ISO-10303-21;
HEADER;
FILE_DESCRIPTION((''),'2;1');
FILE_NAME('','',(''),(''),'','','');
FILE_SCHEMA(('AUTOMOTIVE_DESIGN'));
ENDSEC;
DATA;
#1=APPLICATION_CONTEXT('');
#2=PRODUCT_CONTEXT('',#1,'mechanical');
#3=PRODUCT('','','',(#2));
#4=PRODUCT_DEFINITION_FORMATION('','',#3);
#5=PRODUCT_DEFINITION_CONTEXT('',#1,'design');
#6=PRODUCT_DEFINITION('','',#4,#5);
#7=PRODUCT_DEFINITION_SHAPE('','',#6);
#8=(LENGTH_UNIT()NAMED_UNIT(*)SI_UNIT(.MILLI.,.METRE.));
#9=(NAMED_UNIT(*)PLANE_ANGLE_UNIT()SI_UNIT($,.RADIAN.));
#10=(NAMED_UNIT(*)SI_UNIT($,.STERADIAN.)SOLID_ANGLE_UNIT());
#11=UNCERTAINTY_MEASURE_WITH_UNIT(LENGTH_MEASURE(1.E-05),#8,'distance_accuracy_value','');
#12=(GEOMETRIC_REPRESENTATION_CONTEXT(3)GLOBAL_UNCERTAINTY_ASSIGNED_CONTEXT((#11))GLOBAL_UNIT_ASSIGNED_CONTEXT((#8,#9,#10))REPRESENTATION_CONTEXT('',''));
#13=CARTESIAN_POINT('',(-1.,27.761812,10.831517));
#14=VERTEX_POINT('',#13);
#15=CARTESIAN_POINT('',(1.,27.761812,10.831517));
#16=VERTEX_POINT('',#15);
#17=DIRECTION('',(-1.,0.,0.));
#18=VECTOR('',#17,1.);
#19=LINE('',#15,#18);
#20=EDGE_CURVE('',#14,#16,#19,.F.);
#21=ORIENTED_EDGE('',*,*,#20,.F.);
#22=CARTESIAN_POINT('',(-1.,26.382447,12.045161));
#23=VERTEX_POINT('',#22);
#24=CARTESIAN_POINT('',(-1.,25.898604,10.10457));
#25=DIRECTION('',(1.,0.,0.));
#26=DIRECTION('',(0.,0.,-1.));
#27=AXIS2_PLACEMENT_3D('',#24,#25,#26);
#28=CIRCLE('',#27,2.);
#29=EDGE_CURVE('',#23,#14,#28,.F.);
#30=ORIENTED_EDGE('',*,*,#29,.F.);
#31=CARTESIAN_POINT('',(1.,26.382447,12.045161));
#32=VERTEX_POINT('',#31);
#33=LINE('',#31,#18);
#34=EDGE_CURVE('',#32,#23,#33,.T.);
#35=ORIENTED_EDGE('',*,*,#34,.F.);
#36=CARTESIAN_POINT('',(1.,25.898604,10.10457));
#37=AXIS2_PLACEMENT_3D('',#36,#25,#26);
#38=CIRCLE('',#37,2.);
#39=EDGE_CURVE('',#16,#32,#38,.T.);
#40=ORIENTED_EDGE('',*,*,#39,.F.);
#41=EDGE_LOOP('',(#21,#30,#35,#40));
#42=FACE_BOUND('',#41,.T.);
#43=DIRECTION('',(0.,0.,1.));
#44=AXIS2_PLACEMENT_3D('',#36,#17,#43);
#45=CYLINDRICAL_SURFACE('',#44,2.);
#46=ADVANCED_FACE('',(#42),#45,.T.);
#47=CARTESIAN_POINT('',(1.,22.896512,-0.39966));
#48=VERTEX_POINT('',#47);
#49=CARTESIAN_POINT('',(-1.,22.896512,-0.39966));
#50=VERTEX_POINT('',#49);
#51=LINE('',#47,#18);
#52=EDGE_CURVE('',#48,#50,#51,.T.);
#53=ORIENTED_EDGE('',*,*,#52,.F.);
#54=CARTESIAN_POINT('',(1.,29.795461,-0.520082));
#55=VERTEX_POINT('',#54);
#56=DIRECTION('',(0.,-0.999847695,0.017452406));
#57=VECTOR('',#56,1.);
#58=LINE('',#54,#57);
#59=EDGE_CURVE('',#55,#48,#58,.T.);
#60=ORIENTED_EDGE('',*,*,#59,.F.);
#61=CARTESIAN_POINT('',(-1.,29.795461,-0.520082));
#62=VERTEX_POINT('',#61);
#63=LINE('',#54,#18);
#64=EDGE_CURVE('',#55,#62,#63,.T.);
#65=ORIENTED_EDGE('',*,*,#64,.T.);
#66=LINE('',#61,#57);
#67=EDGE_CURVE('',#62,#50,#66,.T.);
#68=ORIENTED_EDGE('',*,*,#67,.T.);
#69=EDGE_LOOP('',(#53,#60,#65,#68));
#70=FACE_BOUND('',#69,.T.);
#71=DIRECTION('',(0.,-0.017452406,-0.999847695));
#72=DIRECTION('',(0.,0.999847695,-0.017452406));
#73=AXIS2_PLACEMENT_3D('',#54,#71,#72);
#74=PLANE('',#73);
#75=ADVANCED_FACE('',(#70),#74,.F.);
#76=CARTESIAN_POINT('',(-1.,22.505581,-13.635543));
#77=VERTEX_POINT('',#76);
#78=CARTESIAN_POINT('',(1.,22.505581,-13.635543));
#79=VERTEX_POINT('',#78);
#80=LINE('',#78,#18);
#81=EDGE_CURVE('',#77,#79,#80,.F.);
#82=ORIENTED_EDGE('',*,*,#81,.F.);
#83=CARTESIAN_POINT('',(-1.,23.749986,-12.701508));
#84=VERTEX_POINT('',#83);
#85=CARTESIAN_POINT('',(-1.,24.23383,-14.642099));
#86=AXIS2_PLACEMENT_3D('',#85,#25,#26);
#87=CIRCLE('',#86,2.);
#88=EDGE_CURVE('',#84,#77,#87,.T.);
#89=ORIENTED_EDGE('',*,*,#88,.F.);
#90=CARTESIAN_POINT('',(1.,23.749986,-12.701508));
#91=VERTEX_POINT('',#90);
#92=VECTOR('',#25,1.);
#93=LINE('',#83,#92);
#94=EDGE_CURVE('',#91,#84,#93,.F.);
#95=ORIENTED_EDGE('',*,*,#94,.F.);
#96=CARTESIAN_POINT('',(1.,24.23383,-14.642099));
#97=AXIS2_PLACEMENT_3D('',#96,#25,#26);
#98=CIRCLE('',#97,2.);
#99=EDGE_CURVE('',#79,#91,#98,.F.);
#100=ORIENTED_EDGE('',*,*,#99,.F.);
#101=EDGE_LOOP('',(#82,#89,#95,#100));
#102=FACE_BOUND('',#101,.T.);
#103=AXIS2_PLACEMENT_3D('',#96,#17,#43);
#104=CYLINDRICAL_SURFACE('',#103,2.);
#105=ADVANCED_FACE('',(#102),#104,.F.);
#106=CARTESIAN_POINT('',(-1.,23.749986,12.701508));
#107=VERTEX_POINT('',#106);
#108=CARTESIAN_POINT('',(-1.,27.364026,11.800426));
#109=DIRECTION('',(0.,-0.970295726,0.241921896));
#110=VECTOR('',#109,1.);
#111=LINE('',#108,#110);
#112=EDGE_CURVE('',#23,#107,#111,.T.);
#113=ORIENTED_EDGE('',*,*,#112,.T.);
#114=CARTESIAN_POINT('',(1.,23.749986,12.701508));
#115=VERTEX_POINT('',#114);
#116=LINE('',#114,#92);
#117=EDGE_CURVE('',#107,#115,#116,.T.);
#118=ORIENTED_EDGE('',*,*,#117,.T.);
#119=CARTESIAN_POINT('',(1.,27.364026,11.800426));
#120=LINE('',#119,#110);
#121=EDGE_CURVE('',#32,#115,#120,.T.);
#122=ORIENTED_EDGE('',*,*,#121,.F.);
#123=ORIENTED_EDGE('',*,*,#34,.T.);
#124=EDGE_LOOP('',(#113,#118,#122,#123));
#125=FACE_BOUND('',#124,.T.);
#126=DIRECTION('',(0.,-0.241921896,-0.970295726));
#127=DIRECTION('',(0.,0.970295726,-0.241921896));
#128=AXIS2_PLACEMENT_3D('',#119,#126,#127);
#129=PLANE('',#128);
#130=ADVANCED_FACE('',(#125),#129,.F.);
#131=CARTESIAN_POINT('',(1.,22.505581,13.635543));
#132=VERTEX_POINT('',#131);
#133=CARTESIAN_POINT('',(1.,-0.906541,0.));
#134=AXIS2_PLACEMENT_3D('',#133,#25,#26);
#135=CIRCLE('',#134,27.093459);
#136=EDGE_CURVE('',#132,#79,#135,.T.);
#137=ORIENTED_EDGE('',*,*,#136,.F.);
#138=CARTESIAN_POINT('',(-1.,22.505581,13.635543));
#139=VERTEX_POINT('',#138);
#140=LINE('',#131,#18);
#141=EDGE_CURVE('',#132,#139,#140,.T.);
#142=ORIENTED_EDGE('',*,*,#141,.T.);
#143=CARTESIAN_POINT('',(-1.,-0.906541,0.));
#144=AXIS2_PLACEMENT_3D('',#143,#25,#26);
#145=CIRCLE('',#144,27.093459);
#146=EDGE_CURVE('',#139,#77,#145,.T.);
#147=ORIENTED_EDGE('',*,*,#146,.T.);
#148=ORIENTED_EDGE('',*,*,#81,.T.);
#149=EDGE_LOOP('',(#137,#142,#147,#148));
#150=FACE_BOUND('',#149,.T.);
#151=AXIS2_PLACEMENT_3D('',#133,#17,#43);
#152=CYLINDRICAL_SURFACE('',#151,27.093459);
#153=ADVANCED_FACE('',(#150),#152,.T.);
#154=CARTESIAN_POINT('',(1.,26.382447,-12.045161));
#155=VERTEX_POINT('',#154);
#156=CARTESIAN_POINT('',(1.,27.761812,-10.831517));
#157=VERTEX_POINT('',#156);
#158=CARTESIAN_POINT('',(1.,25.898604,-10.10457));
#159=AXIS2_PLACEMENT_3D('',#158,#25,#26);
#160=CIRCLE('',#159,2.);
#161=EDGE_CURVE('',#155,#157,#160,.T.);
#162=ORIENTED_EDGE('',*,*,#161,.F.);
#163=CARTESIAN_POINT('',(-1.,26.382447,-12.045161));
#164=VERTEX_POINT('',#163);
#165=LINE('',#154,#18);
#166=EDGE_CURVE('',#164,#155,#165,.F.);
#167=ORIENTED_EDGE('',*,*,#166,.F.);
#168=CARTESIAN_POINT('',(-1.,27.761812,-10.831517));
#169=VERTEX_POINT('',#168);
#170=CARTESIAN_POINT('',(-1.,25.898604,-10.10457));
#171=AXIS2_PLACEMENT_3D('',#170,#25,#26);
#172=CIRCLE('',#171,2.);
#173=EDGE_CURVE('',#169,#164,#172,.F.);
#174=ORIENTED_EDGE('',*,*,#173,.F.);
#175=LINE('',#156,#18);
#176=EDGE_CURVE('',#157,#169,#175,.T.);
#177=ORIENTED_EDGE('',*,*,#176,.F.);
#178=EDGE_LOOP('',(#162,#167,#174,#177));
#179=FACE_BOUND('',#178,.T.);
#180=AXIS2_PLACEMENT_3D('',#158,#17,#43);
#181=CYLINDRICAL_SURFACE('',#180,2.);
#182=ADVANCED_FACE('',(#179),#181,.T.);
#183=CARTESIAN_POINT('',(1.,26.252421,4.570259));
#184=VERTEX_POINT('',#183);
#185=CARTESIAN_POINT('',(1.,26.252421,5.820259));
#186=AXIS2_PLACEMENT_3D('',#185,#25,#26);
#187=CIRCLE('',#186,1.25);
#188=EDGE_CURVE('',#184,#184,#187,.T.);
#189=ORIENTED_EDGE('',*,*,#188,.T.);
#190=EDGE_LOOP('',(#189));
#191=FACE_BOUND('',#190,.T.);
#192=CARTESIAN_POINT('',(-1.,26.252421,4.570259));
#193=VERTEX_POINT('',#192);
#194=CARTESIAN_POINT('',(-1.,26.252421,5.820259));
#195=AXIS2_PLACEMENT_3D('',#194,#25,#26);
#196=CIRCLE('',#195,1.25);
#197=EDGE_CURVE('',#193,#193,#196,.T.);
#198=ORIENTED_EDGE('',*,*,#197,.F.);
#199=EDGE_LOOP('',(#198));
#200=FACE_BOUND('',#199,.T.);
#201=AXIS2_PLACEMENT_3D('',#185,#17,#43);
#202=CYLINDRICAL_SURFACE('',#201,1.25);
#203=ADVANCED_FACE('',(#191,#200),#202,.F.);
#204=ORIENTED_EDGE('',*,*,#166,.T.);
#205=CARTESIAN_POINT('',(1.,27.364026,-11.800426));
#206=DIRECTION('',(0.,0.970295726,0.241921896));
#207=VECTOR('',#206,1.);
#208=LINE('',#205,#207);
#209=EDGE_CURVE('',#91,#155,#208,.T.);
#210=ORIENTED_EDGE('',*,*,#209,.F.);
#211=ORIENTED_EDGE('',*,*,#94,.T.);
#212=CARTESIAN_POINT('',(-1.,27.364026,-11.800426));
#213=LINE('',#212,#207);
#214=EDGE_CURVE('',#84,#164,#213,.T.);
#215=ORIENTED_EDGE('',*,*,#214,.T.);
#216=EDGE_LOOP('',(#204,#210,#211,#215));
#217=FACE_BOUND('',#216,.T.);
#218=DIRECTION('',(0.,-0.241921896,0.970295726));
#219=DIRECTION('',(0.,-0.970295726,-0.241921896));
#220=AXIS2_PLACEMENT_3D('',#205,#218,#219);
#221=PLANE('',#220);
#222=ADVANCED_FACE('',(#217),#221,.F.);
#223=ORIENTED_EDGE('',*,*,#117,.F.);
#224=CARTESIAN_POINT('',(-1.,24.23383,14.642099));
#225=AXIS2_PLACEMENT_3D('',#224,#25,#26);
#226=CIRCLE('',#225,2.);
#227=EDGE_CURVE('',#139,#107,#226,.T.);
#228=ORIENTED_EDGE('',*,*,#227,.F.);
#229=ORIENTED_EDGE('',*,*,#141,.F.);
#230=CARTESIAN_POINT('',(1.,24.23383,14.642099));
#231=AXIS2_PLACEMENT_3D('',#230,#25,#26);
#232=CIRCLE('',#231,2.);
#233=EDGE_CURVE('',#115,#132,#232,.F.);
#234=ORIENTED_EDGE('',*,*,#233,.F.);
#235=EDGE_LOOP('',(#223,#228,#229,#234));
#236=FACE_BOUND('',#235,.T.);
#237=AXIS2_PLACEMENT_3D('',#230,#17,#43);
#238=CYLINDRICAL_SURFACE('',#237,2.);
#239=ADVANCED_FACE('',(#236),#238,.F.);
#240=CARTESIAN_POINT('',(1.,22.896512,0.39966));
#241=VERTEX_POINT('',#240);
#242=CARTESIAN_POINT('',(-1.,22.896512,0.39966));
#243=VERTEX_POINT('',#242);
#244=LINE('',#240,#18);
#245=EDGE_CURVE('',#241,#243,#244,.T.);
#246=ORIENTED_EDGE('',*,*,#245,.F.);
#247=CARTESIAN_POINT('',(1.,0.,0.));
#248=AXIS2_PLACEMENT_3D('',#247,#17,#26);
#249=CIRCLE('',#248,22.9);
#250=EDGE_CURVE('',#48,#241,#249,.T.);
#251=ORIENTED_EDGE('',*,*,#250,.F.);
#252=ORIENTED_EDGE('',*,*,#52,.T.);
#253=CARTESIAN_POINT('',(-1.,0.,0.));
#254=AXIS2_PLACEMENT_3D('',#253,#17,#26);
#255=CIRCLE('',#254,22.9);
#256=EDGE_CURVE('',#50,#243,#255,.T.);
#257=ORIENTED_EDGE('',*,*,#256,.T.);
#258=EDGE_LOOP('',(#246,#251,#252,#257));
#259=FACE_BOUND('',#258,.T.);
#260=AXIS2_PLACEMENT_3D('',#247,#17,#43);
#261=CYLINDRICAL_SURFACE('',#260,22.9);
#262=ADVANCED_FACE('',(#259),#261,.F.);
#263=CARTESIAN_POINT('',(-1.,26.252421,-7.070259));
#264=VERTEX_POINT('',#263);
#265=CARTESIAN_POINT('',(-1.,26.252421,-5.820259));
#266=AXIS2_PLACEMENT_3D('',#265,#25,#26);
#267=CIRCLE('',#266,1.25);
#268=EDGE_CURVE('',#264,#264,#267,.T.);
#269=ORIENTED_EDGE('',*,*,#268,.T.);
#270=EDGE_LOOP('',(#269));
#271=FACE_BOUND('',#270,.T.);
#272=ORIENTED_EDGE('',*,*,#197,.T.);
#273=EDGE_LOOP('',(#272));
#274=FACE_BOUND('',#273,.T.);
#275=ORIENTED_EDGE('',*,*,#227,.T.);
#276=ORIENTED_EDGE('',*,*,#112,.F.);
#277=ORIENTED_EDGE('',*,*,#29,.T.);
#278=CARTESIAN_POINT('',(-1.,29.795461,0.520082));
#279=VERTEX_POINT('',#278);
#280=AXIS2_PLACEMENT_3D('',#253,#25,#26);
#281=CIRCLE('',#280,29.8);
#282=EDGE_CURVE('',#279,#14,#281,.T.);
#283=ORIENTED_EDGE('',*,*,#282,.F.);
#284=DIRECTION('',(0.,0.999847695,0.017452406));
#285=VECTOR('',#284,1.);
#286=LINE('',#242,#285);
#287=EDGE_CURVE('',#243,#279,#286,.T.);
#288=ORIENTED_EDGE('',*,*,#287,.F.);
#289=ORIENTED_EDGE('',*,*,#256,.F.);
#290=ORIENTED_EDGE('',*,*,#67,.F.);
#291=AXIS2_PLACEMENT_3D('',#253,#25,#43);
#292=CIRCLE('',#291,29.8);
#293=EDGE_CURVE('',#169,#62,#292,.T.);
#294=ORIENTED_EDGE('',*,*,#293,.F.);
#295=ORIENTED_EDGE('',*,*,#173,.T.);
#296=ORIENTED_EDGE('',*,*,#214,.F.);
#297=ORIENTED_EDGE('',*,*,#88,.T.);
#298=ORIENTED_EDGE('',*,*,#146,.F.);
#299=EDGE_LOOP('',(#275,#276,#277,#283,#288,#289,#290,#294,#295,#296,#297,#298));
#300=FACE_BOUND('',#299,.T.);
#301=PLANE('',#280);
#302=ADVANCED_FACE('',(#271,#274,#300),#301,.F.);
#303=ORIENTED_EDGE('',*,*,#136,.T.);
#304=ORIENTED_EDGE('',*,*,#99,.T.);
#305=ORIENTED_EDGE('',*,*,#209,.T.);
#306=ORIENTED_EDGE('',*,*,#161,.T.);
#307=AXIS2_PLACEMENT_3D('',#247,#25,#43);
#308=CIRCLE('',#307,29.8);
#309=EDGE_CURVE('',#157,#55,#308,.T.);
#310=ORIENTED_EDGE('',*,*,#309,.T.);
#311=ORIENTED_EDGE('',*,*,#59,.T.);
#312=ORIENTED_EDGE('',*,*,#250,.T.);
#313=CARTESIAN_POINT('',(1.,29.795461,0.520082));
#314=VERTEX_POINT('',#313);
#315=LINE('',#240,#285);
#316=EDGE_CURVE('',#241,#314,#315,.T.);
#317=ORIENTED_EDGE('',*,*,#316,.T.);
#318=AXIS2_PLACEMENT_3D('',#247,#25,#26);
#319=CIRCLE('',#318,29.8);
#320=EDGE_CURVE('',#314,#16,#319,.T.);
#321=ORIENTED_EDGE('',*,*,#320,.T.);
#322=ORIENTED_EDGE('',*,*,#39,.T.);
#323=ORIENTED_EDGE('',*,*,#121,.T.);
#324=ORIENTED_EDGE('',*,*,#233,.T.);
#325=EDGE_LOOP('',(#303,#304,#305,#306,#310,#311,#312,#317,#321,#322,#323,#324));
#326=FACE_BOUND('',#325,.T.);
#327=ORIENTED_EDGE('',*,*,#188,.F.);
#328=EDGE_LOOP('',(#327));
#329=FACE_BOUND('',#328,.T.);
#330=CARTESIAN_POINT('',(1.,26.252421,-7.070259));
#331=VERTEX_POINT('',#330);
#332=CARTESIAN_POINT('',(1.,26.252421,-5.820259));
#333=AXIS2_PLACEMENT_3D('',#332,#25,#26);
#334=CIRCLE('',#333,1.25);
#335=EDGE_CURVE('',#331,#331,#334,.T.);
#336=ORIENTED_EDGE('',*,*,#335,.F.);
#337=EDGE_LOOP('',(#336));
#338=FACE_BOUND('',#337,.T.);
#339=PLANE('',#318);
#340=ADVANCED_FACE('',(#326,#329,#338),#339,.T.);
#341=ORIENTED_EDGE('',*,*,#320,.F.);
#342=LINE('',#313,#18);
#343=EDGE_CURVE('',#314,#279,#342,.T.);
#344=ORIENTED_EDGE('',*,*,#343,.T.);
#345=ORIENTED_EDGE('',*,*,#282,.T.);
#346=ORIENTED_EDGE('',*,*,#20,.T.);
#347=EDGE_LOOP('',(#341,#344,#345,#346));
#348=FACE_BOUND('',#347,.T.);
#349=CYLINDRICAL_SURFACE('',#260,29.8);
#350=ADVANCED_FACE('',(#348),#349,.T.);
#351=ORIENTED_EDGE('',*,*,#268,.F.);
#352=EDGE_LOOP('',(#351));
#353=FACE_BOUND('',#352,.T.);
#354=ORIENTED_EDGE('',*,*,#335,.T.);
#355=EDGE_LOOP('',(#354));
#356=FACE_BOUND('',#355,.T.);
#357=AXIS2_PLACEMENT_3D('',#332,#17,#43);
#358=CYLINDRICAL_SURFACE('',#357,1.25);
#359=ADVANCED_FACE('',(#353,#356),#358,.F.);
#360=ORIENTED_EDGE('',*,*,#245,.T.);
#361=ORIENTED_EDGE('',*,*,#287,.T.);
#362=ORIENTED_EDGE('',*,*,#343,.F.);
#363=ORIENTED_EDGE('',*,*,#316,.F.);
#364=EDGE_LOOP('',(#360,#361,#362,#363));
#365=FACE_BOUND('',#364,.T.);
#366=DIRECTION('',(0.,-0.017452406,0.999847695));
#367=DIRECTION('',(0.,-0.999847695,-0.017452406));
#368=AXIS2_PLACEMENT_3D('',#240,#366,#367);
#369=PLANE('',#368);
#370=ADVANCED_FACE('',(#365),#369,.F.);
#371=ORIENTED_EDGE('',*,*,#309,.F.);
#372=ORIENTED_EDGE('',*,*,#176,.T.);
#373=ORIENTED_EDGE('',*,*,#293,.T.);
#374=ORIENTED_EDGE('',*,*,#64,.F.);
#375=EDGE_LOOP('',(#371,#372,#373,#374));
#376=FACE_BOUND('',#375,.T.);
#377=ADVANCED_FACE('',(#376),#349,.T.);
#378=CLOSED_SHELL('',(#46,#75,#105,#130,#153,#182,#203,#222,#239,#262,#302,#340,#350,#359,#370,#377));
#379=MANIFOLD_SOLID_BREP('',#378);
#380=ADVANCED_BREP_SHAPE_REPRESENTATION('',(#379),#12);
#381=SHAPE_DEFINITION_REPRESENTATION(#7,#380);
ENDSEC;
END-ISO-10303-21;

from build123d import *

# Parameters (mm, degrees)
SKETCH1_R      = 1.25
EXTRUDE1_DEPTH = 1
FILLET1_R      = 2


with BuildPart() as part:
    # Sketch1 → Extrude1 (new, symmetric)
    with BuildSketch(Plane(origin=(0, 0, 0), x_dir=(0, 0, -1), z_dir=(1, 0, 0))):
        with BuildLine():
            Line((-0.399660107, 22.896512219), (-0.520081712, 29.795461316))
            ThreePointArc((-0.520081712, 29.795461316), (-6.279068206, 29.1309681), (-11.800426172, 27.364026425))
            Line((-11.800426172, 27.364026425), (-12.910119658, 22.913288948))
            ThreePointArc((-12.910119658, 22.913288948), (0, -28), (12.910119658, 22.913288948))
            Line((12.910119658, 22.913288948), (11.800426172, 27.364026425))
            ThreePointArc((11.800426172, 27.364026425), (6.279068206, 29.1309681), (0.520081712, 29.795461316))
            Line((0.520081712, 29.795461316), (0.399660107, 22.896512219))
            ThreePointArc((0.399660107, 22.896512219), (0, -22.9), (-0.399660107, 22.896512219))
        make_face()
        with Locations((-5.820259343, 26.252420839)):
            Circle(SKETCH1_R, mode=Mode.SUBTRACT)
        with Locations((5.820259343, 26.252420839)):
            Circle(SKETCH1_R, mode=Mode.SUBTRACT)
    extrude(amount=EXTRUDE1_DEPTH, both=True)

    # Fillet1
    fillet1_edges = [part.edges().sort_by_distance(p)[0] for p in [
        (0, 27.364026425, -11.800426172),
        (0, 22.913288948, -12.910119658),
        (0, 22.913288948, 12.910119658),
        (0, 27.364026425, 11.800426172),
    ]]
    fillet(fillet1_edges, radius=FILLET1_R)


solid = part.part
